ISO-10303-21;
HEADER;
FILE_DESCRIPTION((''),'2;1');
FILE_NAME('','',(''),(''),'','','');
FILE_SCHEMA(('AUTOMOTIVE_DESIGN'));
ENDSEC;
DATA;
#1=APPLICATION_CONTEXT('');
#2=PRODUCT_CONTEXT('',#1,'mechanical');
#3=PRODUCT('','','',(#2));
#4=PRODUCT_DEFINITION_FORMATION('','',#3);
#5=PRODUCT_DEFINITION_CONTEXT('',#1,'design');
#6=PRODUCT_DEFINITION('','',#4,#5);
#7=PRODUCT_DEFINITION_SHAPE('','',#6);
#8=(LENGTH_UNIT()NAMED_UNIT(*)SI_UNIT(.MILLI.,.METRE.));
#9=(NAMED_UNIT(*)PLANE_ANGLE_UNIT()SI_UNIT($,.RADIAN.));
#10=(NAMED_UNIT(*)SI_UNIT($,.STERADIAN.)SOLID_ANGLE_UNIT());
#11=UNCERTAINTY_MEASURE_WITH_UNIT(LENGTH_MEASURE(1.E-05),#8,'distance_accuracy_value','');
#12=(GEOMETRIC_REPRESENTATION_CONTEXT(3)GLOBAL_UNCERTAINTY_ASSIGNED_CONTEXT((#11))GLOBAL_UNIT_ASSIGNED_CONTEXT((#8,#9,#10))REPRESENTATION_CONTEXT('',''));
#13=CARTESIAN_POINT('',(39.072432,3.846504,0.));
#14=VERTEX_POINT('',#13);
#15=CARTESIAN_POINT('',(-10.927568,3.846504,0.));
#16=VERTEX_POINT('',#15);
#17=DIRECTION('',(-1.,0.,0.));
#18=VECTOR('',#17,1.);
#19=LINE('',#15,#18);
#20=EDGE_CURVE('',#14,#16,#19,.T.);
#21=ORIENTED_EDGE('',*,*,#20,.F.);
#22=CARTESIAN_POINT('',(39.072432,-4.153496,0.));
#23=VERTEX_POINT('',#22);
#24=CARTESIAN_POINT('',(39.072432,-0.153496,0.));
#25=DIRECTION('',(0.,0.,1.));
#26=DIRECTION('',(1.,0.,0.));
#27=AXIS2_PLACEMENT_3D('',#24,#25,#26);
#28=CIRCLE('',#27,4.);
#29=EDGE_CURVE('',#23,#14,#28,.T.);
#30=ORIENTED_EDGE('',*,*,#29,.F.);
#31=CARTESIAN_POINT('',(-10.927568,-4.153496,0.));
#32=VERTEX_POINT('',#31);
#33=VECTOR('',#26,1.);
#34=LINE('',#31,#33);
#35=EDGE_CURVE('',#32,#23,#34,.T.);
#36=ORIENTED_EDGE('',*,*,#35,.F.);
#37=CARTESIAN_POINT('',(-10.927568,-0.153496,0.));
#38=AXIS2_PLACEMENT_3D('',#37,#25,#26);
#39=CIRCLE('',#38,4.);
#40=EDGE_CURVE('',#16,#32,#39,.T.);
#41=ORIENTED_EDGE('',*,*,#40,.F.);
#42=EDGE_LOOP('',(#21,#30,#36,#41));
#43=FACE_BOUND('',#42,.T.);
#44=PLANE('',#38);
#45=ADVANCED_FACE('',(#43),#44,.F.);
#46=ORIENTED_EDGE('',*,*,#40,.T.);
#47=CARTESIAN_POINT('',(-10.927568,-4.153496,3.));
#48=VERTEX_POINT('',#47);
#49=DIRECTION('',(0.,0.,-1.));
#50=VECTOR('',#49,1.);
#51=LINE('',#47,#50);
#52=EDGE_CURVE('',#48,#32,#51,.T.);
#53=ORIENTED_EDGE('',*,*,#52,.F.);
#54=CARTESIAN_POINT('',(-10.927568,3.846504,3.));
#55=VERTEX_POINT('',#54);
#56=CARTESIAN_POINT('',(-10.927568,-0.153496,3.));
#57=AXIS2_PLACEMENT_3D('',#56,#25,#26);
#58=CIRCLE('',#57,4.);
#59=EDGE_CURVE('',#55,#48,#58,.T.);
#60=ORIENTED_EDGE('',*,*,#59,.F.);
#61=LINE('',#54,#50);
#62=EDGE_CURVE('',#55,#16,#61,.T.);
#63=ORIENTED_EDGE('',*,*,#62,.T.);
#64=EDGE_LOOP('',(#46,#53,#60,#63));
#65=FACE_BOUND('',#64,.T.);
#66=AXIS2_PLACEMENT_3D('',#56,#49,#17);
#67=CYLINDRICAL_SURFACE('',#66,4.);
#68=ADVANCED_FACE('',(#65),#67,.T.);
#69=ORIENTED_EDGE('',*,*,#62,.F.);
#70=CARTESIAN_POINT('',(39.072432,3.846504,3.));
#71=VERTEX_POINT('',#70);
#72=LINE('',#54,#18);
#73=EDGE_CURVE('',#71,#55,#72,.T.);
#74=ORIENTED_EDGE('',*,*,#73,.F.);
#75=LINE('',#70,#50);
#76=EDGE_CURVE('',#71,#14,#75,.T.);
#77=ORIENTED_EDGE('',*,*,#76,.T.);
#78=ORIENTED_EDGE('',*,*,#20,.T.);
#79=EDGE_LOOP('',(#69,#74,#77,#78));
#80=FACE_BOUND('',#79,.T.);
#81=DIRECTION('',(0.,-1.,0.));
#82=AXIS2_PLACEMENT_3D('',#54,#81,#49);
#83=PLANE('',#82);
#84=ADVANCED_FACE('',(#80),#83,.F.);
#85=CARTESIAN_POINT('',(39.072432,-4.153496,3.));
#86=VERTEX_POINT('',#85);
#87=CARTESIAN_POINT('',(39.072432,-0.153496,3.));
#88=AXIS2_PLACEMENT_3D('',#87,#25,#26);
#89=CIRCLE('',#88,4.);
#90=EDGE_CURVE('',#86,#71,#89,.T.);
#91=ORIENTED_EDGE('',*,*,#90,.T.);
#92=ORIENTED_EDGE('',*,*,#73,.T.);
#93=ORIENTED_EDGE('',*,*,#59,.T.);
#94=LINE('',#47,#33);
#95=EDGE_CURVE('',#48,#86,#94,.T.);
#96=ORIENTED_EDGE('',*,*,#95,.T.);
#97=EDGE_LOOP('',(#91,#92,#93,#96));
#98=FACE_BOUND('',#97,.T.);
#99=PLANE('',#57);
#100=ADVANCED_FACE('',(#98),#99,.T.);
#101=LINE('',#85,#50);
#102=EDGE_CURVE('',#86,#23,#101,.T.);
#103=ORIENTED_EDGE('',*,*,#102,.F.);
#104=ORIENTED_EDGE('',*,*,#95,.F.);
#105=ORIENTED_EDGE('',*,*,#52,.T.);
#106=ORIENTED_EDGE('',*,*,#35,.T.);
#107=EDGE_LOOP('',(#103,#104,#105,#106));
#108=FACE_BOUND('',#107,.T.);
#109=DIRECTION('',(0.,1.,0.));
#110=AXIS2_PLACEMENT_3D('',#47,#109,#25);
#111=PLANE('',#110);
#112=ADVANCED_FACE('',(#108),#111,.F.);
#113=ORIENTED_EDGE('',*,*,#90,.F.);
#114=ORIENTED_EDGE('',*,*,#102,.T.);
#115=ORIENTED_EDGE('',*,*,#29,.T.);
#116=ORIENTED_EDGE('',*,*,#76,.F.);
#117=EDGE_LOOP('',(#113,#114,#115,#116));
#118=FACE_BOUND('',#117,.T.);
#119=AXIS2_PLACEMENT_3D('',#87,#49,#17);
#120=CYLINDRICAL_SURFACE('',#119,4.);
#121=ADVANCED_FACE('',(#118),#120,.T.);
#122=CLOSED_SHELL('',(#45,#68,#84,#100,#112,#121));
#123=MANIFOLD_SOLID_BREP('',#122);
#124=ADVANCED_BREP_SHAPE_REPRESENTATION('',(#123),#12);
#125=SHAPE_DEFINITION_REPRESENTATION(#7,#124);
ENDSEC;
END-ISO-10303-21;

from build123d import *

# Parameters (mm, degrees)
EXTRUDE_1_DEPTH = 3


with BuildPart() as part:
    # 草图1 → 拉伸1 (new body)
    with BuildSketch(Plane.XY):
        with BuildLine():
            Line((-10.927568014, 3.846503941), (39.072431986, 3.846503941))
            ThreePointArc((39.072431986, 3.846503941), (43.072431986, -0.153496059), (39.072431986, -4.153496059))
            Line((39.072431986, -4.153496059), (-10.927568014, -4.153496059))
            ThreePointArc((-10.927568014, -4.153496059), (-14.927568014, -0.153496059), (-10.927568014, 3.846503941))
        make_face()
    extrude(amount=EXTRUDE_1_DEPTH)


solid = part.part
